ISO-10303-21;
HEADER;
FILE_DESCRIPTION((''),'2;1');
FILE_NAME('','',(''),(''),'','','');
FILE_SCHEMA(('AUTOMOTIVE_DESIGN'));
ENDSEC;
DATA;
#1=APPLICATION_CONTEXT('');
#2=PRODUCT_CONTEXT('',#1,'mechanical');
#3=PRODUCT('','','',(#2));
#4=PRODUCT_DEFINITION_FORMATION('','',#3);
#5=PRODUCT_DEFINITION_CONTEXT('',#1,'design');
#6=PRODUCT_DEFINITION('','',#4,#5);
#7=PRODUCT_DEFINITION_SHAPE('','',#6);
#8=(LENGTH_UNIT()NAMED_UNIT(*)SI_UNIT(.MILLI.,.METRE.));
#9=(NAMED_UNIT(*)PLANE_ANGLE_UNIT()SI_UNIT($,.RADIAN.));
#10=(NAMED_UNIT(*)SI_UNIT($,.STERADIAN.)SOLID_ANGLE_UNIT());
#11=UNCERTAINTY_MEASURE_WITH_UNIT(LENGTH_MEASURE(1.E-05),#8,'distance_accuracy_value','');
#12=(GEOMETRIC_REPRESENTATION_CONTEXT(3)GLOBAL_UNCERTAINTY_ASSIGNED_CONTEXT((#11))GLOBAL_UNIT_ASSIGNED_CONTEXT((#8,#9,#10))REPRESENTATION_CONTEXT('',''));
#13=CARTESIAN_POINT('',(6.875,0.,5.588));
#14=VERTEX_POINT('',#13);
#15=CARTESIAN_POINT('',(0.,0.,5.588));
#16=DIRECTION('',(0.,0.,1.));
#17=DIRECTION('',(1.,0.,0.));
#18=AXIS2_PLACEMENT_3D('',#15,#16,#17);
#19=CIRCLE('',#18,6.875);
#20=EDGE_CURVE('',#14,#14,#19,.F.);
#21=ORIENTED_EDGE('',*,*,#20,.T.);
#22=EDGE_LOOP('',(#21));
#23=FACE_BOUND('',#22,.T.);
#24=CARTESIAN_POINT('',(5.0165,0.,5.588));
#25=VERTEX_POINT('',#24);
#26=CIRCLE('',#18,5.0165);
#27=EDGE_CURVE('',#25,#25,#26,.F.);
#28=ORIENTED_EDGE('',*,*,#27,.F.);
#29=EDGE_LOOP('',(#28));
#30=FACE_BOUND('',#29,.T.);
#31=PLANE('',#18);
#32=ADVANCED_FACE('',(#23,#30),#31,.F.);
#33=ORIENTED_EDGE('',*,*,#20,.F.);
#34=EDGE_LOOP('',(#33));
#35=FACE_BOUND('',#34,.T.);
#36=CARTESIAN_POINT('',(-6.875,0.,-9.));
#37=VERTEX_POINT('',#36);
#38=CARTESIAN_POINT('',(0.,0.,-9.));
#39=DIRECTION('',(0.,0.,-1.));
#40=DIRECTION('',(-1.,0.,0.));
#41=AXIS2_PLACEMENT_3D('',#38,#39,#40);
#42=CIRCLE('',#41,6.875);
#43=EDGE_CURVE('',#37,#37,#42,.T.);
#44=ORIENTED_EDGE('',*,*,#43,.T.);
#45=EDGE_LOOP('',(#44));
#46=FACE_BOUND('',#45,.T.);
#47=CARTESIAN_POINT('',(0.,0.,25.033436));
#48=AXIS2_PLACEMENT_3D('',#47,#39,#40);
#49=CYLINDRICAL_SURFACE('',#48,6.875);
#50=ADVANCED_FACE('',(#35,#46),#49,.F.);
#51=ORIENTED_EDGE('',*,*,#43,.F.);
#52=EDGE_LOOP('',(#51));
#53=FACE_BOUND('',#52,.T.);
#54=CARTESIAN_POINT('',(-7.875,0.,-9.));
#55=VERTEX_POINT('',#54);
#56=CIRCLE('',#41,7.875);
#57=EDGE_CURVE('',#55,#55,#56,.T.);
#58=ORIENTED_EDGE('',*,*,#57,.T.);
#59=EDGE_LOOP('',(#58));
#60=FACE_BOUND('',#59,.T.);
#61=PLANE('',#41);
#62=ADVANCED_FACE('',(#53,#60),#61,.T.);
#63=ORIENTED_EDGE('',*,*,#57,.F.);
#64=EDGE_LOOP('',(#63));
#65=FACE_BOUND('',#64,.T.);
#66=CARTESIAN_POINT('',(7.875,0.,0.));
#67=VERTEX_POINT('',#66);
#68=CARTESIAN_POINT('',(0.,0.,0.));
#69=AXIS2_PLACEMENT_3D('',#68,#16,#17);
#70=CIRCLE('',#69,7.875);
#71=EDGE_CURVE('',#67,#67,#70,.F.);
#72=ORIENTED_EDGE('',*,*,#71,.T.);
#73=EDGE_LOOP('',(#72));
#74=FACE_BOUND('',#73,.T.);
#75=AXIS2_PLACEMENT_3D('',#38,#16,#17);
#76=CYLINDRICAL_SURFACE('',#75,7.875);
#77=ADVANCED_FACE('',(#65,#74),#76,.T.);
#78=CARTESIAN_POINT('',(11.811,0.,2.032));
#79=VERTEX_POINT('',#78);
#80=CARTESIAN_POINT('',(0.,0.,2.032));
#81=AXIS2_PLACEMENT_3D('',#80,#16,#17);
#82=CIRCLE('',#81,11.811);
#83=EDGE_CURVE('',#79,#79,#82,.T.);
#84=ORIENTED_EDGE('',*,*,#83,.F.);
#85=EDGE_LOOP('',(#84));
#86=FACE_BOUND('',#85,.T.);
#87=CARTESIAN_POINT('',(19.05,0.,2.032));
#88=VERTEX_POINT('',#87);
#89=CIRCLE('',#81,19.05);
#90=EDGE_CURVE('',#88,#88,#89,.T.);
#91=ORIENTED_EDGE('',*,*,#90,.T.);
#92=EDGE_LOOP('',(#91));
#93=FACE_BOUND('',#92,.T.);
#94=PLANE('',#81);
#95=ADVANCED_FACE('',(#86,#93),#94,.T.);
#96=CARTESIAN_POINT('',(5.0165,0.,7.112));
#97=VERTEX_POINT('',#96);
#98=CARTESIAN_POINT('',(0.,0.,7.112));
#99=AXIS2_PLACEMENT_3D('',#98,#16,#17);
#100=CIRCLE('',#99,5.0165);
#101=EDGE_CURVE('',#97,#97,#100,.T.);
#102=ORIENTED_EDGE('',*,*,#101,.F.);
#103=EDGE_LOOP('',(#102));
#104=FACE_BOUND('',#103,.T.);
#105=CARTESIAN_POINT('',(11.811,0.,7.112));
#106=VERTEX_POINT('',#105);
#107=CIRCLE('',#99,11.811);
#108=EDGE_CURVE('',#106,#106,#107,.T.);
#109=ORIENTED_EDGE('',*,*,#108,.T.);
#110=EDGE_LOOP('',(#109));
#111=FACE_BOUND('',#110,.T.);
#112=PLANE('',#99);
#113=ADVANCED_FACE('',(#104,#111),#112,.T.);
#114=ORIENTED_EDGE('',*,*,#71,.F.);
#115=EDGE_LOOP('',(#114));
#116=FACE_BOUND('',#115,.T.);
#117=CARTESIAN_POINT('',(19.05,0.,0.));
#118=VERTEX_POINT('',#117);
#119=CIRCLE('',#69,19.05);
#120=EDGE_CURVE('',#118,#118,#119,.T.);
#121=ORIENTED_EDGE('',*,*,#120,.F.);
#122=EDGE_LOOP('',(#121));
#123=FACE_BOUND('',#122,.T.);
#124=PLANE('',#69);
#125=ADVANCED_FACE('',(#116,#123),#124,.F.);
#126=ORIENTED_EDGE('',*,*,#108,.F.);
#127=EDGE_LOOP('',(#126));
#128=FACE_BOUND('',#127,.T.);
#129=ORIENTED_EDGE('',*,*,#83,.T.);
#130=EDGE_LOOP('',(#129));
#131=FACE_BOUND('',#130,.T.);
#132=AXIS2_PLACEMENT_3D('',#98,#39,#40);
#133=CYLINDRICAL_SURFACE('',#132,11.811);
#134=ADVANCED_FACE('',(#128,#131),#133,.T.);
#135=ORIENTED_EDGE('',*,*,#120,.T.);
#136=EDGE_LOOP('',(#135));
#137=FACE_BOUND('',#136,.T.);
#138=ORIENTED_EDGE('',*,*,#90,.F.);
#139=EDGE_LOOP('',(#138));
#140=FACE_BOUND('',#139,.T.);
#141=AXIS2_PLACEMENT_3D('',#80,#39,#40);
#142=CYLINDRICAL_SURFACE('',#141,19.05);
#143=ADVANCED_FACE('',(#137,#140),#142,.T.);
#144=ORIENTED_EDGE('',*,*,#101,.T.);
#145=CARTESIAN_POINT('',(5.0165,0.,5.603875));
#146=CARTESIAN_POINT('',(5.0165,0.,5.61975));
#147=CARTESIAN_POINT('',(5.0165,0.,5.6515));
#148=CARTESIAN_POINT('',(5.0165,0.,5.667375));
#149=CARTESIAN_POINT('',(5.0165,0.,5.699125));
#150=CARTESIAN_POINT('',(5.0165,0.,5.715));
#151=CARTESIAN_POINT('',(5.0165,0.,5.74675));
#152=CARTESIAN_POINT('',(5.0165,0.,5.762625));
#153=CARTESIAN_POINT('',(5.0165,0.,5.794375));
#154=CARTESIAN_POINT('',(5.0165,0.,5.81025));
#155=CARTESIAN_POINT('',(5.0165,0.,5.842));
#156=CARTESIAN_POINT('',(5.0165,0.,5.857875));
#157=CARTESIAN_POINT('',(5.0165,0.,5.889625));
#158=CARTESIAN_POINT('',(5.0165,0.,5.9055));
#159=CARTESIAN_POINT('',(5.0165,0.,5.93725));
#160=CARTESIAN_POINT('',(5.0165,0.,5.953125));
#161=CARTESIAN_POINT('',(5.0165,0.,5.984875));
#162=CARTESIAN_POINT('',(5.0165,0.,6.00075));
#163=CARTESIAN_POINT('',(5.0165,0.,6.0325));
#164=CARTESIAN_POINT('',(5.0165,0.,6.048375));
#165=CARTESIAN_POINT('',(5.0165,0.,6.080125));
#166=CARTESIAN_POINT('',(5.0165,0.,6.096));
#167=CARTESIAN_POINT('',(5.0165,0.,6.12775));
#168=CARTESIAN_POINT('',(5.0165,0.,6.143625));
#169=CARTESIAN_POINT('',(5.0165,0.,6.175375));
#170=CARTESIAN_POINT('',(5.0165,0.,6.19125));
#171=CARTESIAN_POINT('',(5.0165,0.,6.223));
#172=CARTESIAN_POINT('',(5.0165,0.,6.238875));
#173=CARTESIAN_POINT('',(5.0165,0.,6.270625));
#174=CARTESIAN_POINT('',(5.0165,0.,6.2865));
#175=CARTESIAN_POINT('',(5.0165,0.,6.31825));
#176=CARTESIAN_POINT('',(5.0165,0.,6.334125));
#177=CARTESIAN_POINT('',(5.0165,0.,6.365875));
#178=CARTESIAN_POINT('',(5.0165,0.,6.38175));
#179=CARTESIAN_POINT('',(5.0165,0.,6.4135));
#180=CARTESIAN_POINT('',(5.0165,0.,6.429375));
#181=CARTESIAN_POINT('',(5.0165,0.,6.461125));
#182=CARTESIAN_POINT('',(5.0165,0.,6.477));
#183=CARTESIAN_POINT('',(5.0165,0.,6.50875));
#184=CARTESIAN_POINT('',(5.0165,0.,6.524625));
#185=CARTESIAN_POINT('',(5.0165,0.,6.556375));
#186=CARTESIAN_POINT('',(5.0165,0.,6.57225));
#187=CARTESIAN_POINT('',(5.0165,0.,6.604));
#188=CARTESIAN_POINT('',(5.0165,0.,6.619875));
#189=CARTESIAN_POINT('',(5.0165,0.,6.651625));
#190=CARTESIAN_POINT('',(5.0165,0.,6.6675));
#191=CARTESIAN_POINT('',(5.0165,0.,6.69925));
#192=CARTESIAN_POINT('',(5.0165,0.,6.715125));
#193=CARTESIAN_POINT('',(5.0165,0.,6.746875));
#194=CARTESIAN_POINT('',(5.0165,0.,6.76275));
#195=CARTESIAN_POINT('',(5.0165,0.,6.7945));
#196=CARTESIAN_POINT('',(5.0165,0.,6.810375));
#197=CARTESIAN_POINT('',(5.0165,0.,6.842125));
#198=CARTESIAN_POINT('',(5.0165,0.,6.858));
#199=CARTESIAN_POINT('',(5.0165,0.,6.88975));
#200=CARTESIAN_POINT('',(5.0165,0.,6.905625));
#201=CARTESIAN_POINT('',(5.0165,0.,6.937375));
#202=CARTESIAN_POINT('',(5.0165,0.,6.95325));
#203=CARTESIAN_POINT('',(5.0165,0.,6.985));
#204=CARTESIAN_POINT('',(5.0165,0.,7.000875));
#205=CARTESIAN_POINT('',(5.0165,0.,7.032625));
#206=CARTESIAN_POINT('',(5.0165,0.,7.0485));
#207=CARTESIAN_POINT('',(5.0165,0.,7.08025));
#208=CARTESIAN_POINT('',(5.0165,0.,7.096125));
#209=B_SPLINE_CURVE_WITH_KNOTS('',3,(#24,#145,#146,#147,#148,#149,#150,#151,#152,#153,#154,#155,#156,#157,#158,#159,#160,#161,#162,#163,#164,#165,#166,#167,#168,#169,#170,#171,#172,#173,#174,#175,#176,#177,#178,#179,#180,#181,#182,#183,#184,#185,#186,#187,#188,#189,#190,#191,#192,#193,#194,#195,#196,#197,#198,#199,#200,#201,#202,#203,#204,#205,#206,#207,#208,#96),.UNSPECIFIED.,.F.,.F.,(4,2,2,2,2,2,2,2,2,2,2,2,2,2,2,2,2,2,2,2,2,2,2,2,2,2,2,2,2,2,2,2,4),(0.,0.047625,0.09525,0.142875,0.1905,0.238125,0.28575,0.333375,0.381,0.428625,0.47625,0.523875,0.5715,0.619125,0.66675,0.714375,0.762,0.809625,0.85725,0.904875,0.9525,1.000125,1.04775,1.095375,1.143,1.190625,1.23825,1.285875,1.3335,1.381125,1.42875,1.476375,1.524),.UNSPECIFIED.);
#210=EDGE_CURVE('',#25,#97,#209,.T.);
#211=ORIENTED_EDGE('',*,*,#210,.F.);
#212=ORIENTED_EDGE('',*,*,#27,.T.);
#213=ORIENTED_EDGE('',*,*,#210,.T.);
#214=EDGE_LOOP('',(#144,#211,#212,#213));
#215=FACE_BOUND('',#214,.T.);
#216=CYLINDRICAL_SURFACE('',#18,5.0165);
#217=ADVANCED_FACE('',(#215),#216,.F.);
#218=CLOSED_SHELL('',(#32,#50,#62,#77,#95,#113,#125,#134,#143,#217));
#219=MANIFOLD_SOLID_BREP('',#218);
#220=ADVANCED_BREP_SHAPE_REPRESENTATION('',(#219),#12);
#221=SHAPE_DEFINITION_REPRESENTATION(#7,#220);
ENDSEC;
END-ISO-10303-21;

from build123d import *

# Parameters (mm, degrees)
ESQUISSE1_R             = 19.05
BOSS_EXTRU_1_DEPTH      = 2.032
ESQUISSE2_R             = 11.811
BOSS_EXTRU_2_DEPTH      = 5.08
ESQUISSE3_R             = 5.0165
ENL_V_MAT_EXTRU_1_DEPTH = 1.524
ESQUISSE4_R             = 7.875
BOSS_EXTRU_3_DEPTH      = 9
ESQUISSE5_R             = 6.875
ENL_V_MAT_EXTRU_2_DEPTH = 14.588


with BuildPart() as part:
    # Esquisse1 → Boss.-Extru.1 (new body)
    with BuildSketch(Plane.XY):
        Circle(ESQUISSE1_R)
    extrude(amount=BOSS_EXTRU_1_DEPTH)

    # Esquisse2 → Boss.-Extru.2 (add)
    with BuildSketch(Plane.XY.offset(2.032)):
        Circle(ESQUISSE2_R)
    extrude(amount=BOSS_EXTRU_2_DEPTH)

    # Esquisse3 → Enlèv. mat.-Extru.1 (cut)
    with BuildSketch(Plane.XY.offset(7.112)):
        Circle(ESQUISSE3_R)
    extrude(amount=-ENL_V_MAT_EXTRU_1_DEPTH, mode=Mode.SUBTRACT)

    # Esquisse4 → Boss.-Extru.3 (add)
    with BuildSketch(Plane(origin=(0, 0, 0), x_dir=(-1, 0, 0), z_dir=(0, 0, -1))):
        with Locations(Location((0, 0, 0), (0, 0, 180))):
            Circle(ESQUISSE4_R)
    extrude(amount=BOSS_EXTRU_3_DEPTH)

    # Esquisse5 → Enlèv. mat.-Extru.2 (cut)
    with BuildSketch(Plane(origin=(0, 0, -9), x_dir=(-1, 0, 0), z_dir=(0, 0, -1))):
        Circle(ESQUISSE5_R)
    extrude(amount=-ENL_V_MAT_EXTRU_2_DEPTH, mode=Mode.SUBTRACT)


solid = part.part
